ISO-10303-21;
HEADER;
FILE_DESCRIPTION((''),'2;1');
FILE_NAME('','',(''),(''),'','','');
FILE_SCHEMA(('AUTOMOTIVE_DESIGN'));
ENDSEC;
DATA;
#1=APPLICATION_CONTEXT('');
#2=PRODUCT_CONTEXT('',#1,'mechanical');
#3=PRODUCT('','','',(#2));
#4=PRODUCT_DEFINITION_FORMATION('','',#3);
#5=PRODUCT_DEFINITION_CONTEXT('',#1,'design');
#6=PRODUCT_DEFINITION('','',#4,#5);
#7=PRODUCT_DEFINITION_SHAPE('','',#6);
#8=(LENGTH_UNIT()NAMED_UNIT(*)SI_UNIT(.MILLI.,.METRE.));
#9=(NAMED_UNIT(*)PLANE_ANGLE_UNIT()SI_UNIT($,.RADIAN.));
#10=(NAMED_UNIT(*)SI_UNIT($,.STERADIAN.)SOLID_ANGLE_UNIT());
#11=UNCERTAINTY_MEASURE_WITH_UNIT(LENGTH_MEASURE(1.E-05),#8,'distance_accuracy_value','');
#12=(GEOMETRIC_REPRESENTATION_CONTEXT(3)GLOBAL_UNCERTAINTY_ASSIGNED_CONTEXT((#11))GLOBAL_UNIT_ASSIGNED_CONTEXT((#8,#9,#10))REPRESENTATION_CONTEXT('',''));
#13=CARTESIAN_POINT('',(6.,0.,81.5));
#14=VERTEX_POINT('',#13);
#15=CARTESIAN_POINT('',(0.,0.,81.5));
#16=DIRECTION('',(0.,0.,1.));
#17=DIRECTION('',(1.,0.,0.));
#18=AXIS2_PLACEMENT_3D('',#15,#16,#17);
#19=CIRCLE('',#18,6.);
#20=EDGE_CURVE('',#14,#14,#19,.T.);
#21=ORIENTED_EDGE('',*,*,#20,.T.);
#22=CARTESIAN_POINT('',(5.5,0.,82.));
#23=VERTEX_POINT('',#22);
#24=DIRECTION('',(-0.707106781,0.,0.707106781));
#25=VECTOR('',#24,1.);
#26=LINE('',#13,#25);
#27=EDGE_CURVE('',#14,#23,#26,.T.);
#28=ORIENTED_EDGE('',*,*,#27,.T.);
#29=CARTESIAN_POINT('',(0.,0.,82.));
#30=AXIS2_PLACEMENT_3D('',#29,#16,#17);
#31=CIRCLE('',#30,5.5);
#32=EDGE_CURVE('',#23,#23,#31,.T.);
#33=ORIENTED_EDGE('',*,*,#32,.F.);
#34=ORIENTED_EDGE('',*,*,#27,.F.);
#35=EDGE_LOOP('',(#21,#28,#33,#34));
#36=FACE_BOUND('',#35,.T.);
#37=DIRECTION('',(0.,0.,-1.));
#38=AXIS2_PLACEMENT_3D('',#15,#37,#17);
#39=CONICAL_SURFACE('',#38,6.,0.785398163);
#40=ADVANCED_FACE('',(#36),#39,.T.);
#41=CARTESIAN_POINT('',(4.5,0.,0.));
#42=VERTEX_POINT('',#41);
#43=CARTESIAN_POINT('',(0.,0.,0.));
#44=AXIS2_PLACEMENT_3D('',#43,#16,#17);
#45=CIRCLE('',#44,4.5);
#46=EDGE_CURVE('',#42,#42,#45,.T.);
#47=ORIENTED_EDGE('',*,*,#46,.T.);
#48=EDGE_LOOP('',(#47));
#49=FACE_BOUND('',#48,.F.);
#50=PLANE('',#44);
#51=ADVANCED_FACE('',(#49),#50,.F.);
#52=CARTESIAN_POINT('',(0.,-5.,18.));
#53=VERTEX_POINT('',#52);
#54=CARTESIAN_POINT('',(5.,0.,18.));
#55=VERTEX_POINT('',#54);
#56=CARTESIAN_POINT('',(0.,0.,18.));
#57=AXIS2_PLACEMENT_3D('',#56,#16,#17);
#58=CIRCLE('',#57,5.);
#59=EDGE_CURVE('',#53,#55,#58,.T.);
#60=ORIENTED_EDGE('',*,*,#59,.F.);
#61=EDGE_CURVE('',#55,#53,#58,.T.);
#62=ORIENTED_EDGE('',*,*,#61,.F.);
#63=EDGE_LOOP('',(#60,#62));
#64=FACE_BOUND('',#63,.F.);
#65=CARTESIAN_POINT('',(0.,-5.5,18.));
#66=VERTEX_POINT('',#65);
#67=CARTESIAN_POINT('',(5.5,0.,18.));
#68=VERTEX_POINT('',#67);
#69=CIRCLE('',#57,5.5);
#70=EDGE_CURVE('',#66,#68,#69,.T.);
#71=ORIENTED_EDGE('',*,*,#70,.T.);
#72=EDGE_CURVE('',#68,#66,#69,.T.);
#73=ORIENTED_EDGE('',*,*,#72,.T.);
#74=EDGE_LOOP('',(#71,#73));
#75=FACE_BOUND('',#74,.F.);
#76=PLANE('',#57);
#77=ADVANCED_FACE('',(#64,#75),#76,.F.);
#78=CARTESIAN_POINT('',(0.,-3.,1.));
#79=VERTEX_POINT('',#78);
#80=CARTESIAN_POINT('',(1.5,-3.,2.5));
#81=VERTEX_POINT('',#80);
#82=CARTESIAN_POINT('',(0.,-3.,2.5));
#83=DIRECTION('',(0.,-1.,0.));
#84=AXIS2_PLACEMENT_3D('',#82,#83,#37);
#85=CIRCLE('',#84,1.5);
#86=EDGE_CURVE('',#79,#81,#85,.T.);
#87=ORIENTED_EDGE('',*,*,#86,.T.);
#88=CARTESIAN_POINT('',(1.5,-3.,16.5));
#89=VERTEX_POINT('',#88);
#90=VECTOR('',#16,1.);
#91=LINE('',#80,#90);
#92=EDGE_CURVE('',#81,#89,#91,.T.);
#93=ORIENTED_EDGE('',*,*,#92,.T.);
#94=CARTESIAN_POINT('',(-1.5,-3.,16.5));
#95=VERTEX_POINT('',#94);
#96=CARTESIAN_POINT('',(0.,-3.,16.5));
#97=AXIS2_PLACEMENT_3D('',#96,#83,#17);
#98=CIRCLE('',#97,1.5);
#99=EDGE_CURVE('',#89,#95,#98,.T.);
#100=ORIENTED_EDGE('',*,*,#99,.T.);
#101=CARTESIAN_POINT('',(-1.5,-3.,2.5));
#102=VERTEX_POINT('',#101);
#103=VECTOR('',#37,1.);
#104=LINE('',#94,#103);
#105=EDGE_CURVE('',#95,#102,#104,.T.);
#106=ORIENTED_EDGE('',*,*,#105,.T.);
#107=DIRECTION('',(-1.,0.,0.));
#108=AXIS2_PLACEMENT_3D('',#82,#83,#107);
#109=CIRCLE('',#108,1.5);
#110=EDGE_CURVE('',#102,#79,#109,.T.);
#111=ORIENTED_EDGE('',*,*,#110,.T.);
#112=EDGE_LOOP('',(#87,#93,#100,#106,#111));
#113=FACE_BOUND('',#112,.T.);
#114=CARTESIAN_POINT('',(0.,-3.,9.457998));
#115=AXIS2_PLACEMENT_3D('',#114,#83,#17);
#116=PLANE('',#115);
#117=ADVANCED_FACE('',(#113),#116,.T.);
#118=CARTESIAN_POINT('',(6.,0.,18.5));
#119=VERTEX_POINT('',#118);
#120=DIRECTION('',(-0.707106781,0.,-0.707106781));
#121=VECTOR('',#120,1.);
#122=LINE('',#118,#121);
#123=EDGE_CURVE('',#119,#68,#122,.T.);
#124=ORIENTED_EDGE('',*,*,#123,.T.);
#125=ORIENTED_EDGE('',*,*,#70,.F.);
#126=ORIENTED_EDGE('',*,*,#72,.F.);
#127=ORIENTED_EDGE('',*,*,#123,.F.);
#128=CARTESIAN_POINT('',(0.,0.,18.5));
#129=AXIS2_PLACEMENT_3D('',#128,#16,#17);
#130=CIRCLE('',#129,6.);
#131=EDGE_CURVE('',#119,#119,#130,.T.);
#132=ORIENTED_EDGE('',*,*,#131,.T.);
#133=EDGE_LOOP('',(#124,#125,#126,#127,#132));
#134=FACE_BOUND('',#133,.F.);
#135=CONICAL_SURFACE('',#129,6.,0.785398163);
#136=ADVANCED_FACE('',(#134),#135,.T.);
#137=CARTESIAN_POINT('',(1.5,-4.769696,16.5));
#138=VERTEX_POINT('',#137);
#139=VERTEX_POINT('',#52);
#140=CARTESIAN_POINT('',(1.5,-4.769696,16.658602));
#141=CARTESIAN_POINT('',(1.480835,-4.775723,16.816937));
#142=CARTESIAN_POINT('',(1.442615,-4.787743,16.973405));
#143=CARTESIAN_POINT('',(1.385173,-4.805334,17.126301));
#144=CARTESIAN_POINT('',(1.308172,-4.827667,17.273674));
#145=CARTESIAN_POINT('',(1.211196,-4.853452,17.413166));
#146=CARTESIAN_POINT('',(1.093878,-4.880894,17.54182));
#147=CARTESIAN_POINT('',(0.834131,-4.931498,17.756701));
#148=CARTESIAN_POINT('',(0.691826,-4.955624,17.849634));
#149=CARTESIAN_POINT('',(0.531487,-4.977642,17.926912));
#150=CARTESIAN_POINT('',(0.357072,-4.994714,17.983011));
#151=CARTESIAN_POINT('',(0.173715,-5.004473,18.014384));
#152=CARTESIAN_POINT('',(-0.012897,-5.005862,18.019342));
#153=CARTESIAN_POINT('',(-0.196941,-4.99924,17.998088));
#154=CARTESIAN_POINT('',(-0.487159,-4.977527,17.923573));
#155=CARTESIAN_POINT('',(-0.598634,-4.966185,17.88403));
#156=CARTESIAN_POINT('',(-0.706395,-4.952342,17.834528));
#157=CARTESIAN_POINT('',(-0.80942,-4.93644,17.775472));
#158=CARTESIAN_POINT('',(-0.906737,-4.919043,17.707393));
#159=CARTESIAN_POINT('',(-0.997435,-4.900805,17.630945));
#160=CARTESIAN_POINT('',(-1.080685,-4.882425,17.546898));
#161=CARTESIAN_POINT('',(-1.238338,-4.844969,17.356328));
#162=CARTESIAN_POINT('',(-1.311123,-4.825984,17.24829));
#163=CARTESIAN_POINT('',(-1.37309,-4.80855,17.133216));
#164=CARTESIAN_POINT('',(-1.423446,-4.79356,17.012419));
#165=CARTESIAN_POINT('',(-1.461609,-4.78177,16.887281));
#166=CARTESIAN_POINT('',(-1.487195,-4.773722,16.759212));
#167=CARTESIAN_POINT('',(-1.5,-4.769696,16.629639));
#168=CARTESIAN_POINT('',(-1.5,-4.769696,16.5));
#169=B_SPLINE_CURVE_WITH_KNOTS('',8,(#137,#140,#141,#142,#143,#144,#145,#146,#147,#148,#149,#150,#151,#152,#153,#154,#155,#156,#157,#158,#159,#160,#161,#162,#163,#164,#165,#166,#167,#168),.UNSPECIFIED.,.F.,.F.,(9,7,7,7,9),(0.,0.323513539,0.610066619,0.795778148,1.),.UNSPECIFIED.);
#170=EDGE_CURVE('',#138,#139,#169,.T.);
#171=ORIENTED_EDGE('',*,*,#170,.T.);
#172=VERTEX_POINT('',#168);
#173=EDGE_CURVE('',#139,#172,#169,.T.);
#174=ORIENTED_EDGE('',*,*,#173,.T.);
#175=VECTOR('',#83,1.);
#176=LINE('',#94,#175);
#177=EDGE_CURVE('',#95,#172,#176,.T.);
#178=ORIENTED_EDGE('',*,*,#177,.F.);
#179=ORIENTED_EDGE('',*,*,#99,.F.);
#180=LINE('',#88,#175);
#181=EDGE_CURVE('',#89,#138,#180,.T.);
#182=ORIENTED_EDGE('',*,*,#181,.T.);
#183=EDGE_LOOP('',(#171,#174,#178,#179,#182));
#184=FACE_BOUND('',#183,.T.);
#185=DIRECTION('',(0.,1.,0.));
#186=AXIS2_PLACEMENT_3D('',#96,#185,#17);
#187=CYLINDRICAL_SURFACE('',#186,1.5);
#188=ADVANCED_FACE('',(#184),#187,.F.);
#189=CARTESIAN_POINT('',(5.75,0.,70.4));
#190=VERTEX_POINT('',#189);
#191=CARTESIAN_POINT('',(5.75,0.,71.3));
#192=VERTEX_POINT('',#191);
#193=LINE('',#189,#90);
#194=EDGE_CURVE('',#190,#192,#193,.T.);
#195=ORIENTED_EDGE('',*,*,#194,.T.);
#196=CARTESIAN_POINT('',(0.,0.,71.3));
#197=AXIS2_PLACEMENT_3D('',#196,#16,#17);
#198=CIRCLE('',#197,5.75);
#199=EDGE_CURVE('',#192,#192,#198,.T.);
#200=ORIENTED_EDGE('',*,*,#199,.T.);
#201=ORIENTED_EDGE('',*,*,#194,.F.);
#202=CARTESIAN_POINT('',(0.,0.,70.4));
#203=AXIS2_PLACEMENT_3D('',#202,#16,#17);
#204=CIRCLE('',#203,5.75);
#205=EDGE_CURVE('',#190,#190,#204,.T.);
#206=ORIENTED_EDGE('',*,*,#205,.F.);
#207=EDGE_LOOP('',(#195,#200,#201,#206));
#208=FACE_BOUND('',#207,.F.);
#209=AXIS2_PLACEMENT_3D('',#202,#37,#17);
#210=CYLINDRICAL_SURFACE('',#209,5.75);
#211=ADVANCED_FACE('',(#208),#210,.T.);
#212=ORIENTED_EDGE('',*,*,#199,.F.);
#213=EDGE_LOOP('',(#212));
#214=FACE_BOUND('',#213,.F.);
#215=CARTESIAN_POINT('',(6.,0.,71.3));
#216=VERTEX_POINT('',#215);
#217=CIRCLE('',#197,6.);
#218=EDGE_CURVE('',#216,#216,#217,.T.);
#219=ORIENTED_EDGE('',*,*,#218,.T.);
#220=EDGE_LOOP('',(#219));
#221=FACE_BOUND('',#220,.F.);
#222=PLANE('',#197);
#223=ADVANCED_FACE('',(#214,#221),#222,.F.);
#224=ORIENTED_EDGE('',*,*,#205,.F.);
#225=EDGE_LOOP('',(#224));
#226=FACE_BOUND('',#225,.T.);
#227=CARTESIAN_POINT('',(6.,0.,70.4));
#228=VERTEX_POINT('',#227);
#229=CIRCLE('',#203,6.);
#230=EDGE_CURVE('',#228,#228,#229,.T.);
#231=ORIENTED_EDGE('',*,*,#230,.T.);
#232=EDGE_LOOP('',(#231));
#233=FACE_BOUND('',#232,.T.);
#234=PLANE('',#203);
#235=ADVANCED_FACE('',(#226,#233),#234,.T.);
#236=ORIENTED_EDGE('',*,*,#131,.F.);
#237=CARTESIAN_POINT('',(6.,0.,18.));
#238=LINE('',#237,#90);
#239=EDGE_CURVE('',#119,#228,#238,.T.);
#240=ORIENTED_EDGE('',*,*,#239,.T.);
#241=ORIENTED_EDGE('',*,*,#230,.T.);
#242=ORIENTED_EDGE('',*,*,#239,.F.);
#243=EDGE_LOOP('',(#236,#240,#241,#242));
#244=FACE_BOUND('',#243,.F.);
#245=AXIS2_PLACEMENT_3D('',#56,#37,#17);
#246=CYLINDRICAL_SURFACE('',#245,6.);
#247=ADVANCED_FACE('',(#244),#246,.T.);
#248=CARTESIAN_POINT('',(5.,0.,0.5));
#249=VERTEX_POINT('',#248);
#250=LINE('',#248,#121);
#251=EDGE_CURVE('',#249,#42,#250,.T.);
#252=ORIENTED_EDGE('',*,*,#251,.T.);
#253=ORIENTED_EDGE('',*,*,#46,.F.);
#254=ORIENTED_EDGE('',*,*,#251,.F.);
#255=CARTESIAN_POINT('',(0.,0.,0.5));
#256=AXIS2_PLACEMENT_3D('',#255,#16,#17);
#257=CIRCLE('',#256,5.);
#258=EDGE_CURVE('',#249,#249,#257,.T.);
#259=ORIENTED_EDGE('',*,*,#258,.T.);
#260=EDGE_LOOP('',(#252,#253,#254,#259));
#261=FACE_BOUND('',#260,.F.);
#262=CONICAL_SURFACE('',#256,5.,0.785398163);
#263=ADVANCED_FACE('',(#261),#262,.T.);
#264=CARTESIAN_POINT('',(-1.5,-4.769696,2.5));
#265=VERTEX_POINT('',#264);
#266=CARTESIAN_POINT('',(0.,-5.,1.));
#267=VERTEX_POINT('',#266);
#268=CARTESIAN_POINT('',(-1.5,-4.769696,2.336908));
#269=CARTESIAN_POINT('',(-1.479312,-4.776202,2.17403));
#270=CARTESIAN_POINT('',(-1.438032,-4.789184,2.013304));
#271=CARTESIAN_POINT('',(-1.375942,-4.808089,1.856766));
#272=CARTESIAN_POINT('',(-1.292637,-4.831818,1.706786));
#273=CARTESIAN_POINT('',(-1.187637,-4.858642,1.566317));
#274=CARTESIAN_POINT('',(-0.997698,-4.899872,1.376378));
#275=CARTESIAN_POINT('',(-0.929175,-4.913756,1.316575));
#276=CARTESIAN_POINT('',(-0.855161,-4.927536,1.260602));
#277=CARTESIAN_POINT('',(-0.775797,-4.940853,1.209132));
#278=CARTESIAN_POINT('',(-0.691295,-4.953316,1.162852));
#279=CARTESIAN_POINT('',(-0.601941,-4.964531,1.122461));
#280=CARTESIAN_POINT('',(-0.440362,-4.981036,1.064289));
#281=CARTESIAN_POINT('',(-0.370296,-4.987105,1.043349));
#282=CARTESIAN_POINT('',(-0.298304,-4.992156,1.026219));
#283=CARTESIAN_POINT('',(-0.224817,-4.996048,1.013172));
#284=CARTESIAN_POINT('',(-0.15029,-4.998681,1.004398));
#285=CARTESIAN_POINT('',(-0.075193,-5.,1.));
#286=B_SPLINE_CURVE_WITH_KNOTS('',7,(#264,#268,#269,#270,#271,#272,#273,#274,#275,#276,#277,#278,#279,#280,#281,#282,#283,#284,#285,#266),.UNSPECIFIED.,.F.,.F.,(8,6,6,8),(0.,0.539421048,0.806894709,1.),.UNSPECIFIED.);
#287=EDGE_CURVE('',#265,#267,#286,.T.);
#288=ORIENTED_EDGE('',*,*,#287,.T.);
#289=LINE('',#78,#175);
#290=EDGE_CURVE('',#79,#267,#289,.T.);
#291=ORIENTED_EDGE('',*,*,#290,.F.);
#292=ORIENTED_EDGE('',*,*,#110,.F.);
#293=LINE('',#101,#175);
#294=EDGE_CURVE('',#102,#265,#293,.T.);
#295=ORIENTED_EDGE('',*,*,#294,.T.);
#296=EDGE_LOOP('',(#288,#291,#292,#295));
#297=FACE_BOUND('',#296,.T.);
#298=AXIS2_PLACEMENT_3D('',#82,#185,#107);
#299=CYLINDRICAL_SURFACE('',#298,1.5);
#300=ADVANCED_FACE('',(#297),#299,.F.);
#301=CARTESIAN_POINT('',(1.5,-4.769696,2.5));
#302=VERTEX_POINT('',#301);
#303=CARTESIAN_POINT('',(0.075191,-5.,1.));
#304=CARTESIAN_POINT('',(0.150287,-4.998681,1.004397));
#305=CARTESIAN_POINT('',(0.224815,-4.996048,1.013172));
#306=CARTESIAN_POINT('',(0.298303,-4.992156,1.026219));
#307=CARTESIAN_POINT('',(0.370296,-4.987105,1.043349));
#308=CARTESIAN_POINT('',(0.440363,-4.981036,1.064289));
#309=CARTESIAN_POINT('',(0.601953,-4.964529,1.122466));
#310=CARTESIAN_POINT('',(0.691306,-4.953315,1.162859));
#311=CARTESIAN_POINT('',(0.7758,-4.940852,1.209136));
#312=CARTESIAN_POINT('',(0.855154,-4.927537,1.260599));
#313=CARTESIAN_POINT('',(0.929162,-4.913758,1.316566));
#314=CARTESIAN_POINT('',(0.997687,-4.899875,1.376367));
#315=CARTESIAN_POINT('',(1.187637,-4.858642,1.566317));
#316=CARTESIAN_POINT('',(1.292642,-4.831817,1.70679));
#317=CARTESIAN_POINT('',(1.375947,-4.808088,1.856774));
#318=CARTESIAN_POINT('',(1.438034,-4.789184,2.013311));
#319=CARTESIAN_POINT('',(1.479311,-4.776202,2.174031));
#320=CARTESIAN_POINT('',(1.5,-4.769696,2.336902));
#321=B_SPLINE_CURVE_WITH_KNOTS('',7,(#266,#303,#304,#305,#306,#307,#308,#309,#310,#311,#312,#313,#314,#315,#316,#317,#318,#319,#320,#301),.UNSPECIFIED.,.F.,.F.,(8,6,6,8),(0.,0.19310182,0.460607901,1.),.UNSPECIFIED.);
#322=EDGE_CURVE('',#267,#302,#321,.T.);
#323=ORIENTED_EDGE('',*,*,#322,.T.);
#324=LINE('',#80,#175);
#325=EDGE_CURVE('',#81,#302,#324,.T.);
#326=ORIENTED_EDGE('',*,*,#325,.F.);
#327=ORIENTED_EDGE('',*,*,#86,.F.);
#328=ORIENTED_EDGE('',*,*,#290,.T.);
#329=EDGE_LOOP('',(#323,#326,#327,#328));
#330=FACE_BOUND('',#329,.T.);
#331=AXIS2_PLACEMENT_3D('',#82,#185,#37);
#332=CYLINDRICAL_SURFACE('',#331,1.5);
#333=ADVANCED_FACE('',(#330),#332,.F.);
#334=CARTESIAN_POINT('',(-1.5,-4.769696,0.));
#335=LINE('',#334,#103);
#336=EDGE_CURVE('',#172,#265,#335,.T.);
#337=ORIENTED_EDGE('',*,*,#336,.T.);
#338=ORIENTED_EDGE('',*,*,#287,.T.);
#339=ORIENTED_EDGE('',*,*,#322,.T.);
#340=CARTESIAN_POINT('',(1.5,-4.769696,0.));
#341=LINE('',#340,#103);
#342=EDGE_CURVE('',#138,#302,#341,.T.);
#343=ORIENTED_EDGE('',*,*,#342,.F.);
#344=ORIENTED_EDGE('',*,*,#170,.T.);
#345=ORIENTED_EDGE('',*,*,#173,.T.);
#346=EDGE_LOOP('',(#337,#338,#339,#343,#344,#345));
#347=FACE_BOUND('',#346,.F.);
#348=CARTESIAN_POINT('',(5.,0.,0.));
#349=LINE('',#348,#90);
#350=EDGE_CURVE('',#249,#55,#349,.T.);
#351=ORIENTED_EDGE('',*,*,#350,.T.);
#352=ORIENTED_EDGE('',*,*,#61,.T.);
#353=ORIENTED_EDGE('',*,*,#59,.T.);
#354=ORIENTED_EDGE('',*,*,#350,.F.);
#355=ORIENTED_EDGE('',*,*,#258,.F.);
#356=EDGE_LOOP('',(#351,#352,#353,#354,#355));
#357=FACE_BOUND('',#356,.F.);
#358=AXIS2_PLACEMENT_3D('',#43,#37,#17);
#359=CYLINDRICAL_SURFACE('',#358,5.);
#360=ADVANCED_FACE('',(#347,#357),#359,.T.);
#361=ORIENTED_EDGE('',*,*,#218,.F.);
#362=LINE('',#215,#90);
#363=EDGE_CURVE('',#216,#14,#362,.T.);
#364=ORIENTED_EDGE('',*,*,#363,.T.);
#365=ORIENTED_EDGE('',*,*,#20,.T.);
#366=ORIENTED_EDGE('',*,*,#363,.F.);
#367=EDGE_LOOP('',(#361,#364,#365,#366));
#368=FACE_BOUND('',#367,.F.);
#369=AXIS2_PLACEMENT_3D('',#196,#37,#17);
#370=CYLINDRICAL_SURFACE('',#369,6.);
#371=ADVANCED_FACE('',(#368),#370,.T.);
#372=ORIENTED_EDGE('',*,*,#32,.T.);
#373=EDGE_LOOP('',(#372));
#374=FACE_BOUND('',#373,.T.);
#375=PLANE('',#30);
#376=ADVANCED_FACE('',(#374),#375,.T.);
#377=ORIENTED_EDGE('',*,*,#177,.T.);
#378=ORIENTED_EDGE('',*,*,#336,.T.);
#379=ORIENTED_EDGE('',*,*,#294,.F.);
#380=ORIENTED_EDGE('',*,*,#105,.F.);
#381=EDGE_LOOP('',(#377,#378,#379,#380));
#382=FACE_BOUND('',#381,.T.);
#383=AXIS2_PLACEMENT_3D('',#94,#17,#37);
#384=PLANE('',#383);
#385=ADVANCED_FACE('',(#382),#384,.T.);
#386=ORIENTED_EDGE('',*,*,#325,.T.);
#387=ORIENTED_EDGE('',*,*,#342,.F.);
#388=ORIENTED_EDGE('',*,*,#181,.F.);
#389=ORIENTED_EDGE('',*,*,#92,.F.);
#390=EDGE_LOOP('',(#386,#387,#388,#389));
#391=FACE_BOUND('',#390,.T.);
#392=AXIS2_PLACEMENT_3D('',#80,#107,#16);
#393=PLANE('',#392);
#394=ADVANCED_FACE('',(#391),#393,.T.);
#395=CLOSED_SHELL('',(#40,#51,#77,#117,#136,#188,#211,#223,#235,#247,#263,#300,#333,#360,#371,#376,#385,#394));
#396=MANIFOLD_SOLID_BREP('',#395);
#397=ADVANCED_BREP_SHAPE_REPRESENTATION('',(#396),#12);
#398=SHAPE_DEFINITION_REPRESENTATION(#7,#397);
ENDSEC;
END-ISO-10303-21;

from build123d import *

# Parameters (mm, degrees)
F0_R      = 5
F1_DEPTH  = 18
F2_R      = 6
F3_DEPTH  = 52.4
F4_R      = 5.75
F5_DEPTH  = 0.9
F6_R      = 6
F7_DEPTH  = 10.7
F8_SIZE2  = 0.5
F8_SIZE   = 0.5
F9_SIZE2  = 0.5
F9_SIZE   = 0.5
F10_SIZE2 = 0.5
F10_SIZE  = 0.5
F12_START = 3
F12_DEPTH = 22


with BuildPart() as f1:
    # F0 (on Top) → F1 (new body)
    with BuildSketch(Plane.XY):
        Circle(F0_R)
    extrude(amount=F1_DEPTH)

    # F2 (on face) → F3 (join)
    with BuildSketch(Plane.XY.offset(18)):
        Circle(F2_R)
    extrude(amount=F3_DEPTH)

    # F4 (on face) → F5 (join)
    with BuildSketch(Plane.XY.offset(70.4)):
        Circle(F4_R)
    extrude(amount=F5_DEPTH)

    # F6 (on face) → F7 (join)
    with BuildSketch(Plane.XY.offset(71.3)):
        Circle(F6_R)
    extrude(amount=F7_DEPTH)

    # F8
    f8_edges = [f1.edges().sort_by_distance(p)[0] for p in [
        (-6, 0, 82),
    ]]
    chamfer(f8_edges, length=F8_SIZE, length2=F8_SIZE2)

    # F9
    f9_edges = [f1.edges().sort_by_distance(p)[0] for p in [
        (-6, 0, 18),
    ]]
    chamfer(f9_edges, length=F9_SIZE, length2=F9_SIZE2)

    # F10
    f10_edges = [f1.edges().sort_by_distance(p)[0] for p in [
        (-5, 0, 0),
    ]]
    chamfer(f10_edges, length=F10_SIZE, length2=F10_SIZE2)

    # F11 (on Front) → F12 (cut)
    with BuildSketch(Plane.XZ.offset(F12_START)):
        with BuildLine():
            Line((1.5, 2.5), (1.5, 16.5))
            ThreePointArc((1.5, 16.5), (0, 18), (-1.5, 16.5))
            Line((-1.5, 16.5), (-1.5, 2.5))
            ThreePointArc((-1.5, 2.5), (-1.0606601718, 1.4393398282), (0, 1))
            ThreePointArc((0, 1), (1.0606601718, 1.4393398282), (1.5, 2.5))
        make_face()
    extrude(amount=F12_DEPTH, mode=Mode.SUBTRACT)


solid = f1.part
